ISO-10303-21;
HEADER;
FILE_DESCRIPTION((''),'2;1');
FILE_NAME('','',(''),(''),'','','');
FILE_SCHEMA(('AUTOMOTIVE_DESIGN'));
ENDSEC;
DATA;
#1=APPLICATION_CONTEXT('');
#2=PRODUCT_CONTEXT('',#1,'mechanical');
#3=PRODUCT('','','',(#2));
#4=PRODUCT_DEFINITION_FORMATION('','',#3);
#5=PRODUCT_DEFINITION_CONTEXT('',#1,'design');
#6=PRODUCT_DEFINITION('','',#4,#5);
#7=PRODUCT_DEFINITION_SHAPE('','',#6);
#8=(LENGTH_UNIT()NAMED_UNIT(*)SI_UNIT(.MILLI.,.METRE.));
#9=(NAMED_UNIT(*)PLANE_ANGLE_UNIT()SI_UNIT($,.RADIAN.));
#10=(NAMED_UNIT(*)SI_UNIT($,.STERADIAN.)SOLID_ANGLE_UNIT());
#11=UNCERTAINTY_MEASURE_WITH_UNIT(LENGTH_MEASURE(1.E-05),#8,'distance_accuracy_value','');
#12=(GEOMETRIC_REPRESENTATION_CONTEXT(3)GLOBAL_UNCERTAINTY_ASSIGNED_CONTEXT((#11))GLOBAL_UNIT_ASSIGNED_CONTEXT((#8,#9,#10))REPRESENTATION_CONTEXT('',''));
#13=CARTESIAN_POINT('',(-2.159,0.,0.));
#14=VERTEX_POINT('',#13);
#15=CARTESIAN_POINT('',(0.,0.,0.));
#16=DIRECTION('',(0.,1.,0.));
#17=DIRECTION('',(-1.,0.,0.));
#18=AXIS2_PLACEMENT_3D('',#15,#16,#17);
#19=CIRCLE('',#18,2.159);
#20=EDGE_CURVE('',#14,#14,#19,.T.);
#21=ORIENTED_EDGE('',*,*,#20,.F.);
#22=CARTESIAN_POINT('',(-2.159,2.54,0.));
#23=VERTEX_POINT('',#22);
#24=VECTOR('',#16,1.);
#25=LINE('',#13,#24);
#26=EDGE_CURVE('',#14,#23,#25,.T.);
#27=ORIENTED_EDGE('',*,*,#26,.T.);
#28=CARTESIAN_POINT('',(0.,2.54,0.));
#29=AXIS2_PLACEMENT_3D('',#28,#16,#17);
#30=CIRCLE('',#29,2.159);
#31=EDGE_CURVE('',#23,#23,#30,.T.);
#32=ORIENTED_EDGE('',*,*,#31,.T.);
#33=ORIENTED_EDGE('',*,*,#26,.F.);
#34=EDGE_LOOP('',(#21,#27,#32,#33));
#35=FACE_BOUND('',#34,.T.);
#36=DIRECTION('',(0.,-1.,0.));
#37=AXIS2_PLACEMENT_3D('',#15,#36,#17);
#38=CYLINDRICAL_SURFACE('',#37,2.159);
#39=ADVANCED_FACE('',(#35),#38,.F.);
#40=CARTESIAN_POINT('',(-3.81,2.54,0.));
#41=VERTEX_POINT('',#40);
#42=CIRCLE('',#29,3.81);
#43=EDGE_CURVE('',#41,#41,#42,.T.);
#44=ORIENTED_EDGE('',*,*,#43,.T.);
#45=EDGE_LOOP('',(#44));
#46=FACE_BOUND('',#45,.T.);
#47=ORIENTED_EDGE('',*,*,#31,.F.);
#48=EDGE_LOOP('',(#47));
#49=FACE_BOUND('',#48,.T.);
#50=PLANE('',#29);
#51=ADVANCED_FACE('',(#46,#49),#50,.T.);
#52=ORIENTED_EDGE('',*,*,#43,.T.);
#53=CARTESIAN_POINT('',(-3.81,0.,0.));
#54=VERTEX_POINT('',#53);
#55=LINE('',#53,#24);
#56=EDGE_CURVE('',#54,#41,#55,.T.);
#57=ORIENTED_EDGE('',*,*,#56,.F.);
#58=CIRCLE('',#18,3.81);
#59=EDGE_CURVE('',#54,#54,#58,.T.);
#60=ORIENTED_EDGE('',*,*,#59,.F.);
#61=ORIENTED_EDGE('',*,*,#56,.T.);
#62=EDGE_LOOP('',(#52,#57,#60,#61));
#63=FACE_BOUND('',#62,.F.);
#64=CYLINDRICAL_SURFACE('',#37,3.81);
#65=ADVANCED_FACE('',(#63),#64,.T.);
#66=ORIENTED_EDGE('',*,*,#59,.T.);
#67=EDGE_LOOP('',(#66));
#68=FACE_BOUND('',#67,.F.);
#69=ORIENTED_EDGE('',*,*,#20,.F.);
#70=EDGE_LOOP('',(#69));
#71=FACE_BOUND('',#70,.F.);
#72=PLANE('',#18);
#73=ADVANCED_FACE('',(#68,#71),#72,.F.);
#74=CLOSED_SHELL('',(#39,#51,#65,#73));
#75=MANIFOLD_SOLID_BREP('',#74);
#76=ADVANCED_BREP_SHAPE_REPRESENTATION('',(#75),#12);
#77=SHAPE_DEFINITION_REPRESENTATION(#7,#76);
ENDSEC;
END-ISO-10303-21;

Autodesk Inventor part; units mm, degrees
ref_plane "YZ Plane" through (0, 0, 0) normal (1, 0, 0) x (0, 1, 0)
ref_plane "XZ Plane" through (0, 0, 0) normal (0, 1, 0) x (-1, 0, 0)
ref_plane "XY Plane" through (0, 0, 0) normal (0, 0, 1) x (1, 0, 0)
sketch "Sketch1" plane through (0, 0, 0) normal (0, 1, 0) x (-1, 0, 0)
  circle A0 centre (0, 0) radius 2.159
  circle A1 centre (0, 0) radius 3.81
  dimension "d0" = 4.318
  dimension "d1" = 7.62
extrude "Extrusion1" add sketch "Sketch1" along normal blind 2.54
properties part number "ScrewHoleTest1"
